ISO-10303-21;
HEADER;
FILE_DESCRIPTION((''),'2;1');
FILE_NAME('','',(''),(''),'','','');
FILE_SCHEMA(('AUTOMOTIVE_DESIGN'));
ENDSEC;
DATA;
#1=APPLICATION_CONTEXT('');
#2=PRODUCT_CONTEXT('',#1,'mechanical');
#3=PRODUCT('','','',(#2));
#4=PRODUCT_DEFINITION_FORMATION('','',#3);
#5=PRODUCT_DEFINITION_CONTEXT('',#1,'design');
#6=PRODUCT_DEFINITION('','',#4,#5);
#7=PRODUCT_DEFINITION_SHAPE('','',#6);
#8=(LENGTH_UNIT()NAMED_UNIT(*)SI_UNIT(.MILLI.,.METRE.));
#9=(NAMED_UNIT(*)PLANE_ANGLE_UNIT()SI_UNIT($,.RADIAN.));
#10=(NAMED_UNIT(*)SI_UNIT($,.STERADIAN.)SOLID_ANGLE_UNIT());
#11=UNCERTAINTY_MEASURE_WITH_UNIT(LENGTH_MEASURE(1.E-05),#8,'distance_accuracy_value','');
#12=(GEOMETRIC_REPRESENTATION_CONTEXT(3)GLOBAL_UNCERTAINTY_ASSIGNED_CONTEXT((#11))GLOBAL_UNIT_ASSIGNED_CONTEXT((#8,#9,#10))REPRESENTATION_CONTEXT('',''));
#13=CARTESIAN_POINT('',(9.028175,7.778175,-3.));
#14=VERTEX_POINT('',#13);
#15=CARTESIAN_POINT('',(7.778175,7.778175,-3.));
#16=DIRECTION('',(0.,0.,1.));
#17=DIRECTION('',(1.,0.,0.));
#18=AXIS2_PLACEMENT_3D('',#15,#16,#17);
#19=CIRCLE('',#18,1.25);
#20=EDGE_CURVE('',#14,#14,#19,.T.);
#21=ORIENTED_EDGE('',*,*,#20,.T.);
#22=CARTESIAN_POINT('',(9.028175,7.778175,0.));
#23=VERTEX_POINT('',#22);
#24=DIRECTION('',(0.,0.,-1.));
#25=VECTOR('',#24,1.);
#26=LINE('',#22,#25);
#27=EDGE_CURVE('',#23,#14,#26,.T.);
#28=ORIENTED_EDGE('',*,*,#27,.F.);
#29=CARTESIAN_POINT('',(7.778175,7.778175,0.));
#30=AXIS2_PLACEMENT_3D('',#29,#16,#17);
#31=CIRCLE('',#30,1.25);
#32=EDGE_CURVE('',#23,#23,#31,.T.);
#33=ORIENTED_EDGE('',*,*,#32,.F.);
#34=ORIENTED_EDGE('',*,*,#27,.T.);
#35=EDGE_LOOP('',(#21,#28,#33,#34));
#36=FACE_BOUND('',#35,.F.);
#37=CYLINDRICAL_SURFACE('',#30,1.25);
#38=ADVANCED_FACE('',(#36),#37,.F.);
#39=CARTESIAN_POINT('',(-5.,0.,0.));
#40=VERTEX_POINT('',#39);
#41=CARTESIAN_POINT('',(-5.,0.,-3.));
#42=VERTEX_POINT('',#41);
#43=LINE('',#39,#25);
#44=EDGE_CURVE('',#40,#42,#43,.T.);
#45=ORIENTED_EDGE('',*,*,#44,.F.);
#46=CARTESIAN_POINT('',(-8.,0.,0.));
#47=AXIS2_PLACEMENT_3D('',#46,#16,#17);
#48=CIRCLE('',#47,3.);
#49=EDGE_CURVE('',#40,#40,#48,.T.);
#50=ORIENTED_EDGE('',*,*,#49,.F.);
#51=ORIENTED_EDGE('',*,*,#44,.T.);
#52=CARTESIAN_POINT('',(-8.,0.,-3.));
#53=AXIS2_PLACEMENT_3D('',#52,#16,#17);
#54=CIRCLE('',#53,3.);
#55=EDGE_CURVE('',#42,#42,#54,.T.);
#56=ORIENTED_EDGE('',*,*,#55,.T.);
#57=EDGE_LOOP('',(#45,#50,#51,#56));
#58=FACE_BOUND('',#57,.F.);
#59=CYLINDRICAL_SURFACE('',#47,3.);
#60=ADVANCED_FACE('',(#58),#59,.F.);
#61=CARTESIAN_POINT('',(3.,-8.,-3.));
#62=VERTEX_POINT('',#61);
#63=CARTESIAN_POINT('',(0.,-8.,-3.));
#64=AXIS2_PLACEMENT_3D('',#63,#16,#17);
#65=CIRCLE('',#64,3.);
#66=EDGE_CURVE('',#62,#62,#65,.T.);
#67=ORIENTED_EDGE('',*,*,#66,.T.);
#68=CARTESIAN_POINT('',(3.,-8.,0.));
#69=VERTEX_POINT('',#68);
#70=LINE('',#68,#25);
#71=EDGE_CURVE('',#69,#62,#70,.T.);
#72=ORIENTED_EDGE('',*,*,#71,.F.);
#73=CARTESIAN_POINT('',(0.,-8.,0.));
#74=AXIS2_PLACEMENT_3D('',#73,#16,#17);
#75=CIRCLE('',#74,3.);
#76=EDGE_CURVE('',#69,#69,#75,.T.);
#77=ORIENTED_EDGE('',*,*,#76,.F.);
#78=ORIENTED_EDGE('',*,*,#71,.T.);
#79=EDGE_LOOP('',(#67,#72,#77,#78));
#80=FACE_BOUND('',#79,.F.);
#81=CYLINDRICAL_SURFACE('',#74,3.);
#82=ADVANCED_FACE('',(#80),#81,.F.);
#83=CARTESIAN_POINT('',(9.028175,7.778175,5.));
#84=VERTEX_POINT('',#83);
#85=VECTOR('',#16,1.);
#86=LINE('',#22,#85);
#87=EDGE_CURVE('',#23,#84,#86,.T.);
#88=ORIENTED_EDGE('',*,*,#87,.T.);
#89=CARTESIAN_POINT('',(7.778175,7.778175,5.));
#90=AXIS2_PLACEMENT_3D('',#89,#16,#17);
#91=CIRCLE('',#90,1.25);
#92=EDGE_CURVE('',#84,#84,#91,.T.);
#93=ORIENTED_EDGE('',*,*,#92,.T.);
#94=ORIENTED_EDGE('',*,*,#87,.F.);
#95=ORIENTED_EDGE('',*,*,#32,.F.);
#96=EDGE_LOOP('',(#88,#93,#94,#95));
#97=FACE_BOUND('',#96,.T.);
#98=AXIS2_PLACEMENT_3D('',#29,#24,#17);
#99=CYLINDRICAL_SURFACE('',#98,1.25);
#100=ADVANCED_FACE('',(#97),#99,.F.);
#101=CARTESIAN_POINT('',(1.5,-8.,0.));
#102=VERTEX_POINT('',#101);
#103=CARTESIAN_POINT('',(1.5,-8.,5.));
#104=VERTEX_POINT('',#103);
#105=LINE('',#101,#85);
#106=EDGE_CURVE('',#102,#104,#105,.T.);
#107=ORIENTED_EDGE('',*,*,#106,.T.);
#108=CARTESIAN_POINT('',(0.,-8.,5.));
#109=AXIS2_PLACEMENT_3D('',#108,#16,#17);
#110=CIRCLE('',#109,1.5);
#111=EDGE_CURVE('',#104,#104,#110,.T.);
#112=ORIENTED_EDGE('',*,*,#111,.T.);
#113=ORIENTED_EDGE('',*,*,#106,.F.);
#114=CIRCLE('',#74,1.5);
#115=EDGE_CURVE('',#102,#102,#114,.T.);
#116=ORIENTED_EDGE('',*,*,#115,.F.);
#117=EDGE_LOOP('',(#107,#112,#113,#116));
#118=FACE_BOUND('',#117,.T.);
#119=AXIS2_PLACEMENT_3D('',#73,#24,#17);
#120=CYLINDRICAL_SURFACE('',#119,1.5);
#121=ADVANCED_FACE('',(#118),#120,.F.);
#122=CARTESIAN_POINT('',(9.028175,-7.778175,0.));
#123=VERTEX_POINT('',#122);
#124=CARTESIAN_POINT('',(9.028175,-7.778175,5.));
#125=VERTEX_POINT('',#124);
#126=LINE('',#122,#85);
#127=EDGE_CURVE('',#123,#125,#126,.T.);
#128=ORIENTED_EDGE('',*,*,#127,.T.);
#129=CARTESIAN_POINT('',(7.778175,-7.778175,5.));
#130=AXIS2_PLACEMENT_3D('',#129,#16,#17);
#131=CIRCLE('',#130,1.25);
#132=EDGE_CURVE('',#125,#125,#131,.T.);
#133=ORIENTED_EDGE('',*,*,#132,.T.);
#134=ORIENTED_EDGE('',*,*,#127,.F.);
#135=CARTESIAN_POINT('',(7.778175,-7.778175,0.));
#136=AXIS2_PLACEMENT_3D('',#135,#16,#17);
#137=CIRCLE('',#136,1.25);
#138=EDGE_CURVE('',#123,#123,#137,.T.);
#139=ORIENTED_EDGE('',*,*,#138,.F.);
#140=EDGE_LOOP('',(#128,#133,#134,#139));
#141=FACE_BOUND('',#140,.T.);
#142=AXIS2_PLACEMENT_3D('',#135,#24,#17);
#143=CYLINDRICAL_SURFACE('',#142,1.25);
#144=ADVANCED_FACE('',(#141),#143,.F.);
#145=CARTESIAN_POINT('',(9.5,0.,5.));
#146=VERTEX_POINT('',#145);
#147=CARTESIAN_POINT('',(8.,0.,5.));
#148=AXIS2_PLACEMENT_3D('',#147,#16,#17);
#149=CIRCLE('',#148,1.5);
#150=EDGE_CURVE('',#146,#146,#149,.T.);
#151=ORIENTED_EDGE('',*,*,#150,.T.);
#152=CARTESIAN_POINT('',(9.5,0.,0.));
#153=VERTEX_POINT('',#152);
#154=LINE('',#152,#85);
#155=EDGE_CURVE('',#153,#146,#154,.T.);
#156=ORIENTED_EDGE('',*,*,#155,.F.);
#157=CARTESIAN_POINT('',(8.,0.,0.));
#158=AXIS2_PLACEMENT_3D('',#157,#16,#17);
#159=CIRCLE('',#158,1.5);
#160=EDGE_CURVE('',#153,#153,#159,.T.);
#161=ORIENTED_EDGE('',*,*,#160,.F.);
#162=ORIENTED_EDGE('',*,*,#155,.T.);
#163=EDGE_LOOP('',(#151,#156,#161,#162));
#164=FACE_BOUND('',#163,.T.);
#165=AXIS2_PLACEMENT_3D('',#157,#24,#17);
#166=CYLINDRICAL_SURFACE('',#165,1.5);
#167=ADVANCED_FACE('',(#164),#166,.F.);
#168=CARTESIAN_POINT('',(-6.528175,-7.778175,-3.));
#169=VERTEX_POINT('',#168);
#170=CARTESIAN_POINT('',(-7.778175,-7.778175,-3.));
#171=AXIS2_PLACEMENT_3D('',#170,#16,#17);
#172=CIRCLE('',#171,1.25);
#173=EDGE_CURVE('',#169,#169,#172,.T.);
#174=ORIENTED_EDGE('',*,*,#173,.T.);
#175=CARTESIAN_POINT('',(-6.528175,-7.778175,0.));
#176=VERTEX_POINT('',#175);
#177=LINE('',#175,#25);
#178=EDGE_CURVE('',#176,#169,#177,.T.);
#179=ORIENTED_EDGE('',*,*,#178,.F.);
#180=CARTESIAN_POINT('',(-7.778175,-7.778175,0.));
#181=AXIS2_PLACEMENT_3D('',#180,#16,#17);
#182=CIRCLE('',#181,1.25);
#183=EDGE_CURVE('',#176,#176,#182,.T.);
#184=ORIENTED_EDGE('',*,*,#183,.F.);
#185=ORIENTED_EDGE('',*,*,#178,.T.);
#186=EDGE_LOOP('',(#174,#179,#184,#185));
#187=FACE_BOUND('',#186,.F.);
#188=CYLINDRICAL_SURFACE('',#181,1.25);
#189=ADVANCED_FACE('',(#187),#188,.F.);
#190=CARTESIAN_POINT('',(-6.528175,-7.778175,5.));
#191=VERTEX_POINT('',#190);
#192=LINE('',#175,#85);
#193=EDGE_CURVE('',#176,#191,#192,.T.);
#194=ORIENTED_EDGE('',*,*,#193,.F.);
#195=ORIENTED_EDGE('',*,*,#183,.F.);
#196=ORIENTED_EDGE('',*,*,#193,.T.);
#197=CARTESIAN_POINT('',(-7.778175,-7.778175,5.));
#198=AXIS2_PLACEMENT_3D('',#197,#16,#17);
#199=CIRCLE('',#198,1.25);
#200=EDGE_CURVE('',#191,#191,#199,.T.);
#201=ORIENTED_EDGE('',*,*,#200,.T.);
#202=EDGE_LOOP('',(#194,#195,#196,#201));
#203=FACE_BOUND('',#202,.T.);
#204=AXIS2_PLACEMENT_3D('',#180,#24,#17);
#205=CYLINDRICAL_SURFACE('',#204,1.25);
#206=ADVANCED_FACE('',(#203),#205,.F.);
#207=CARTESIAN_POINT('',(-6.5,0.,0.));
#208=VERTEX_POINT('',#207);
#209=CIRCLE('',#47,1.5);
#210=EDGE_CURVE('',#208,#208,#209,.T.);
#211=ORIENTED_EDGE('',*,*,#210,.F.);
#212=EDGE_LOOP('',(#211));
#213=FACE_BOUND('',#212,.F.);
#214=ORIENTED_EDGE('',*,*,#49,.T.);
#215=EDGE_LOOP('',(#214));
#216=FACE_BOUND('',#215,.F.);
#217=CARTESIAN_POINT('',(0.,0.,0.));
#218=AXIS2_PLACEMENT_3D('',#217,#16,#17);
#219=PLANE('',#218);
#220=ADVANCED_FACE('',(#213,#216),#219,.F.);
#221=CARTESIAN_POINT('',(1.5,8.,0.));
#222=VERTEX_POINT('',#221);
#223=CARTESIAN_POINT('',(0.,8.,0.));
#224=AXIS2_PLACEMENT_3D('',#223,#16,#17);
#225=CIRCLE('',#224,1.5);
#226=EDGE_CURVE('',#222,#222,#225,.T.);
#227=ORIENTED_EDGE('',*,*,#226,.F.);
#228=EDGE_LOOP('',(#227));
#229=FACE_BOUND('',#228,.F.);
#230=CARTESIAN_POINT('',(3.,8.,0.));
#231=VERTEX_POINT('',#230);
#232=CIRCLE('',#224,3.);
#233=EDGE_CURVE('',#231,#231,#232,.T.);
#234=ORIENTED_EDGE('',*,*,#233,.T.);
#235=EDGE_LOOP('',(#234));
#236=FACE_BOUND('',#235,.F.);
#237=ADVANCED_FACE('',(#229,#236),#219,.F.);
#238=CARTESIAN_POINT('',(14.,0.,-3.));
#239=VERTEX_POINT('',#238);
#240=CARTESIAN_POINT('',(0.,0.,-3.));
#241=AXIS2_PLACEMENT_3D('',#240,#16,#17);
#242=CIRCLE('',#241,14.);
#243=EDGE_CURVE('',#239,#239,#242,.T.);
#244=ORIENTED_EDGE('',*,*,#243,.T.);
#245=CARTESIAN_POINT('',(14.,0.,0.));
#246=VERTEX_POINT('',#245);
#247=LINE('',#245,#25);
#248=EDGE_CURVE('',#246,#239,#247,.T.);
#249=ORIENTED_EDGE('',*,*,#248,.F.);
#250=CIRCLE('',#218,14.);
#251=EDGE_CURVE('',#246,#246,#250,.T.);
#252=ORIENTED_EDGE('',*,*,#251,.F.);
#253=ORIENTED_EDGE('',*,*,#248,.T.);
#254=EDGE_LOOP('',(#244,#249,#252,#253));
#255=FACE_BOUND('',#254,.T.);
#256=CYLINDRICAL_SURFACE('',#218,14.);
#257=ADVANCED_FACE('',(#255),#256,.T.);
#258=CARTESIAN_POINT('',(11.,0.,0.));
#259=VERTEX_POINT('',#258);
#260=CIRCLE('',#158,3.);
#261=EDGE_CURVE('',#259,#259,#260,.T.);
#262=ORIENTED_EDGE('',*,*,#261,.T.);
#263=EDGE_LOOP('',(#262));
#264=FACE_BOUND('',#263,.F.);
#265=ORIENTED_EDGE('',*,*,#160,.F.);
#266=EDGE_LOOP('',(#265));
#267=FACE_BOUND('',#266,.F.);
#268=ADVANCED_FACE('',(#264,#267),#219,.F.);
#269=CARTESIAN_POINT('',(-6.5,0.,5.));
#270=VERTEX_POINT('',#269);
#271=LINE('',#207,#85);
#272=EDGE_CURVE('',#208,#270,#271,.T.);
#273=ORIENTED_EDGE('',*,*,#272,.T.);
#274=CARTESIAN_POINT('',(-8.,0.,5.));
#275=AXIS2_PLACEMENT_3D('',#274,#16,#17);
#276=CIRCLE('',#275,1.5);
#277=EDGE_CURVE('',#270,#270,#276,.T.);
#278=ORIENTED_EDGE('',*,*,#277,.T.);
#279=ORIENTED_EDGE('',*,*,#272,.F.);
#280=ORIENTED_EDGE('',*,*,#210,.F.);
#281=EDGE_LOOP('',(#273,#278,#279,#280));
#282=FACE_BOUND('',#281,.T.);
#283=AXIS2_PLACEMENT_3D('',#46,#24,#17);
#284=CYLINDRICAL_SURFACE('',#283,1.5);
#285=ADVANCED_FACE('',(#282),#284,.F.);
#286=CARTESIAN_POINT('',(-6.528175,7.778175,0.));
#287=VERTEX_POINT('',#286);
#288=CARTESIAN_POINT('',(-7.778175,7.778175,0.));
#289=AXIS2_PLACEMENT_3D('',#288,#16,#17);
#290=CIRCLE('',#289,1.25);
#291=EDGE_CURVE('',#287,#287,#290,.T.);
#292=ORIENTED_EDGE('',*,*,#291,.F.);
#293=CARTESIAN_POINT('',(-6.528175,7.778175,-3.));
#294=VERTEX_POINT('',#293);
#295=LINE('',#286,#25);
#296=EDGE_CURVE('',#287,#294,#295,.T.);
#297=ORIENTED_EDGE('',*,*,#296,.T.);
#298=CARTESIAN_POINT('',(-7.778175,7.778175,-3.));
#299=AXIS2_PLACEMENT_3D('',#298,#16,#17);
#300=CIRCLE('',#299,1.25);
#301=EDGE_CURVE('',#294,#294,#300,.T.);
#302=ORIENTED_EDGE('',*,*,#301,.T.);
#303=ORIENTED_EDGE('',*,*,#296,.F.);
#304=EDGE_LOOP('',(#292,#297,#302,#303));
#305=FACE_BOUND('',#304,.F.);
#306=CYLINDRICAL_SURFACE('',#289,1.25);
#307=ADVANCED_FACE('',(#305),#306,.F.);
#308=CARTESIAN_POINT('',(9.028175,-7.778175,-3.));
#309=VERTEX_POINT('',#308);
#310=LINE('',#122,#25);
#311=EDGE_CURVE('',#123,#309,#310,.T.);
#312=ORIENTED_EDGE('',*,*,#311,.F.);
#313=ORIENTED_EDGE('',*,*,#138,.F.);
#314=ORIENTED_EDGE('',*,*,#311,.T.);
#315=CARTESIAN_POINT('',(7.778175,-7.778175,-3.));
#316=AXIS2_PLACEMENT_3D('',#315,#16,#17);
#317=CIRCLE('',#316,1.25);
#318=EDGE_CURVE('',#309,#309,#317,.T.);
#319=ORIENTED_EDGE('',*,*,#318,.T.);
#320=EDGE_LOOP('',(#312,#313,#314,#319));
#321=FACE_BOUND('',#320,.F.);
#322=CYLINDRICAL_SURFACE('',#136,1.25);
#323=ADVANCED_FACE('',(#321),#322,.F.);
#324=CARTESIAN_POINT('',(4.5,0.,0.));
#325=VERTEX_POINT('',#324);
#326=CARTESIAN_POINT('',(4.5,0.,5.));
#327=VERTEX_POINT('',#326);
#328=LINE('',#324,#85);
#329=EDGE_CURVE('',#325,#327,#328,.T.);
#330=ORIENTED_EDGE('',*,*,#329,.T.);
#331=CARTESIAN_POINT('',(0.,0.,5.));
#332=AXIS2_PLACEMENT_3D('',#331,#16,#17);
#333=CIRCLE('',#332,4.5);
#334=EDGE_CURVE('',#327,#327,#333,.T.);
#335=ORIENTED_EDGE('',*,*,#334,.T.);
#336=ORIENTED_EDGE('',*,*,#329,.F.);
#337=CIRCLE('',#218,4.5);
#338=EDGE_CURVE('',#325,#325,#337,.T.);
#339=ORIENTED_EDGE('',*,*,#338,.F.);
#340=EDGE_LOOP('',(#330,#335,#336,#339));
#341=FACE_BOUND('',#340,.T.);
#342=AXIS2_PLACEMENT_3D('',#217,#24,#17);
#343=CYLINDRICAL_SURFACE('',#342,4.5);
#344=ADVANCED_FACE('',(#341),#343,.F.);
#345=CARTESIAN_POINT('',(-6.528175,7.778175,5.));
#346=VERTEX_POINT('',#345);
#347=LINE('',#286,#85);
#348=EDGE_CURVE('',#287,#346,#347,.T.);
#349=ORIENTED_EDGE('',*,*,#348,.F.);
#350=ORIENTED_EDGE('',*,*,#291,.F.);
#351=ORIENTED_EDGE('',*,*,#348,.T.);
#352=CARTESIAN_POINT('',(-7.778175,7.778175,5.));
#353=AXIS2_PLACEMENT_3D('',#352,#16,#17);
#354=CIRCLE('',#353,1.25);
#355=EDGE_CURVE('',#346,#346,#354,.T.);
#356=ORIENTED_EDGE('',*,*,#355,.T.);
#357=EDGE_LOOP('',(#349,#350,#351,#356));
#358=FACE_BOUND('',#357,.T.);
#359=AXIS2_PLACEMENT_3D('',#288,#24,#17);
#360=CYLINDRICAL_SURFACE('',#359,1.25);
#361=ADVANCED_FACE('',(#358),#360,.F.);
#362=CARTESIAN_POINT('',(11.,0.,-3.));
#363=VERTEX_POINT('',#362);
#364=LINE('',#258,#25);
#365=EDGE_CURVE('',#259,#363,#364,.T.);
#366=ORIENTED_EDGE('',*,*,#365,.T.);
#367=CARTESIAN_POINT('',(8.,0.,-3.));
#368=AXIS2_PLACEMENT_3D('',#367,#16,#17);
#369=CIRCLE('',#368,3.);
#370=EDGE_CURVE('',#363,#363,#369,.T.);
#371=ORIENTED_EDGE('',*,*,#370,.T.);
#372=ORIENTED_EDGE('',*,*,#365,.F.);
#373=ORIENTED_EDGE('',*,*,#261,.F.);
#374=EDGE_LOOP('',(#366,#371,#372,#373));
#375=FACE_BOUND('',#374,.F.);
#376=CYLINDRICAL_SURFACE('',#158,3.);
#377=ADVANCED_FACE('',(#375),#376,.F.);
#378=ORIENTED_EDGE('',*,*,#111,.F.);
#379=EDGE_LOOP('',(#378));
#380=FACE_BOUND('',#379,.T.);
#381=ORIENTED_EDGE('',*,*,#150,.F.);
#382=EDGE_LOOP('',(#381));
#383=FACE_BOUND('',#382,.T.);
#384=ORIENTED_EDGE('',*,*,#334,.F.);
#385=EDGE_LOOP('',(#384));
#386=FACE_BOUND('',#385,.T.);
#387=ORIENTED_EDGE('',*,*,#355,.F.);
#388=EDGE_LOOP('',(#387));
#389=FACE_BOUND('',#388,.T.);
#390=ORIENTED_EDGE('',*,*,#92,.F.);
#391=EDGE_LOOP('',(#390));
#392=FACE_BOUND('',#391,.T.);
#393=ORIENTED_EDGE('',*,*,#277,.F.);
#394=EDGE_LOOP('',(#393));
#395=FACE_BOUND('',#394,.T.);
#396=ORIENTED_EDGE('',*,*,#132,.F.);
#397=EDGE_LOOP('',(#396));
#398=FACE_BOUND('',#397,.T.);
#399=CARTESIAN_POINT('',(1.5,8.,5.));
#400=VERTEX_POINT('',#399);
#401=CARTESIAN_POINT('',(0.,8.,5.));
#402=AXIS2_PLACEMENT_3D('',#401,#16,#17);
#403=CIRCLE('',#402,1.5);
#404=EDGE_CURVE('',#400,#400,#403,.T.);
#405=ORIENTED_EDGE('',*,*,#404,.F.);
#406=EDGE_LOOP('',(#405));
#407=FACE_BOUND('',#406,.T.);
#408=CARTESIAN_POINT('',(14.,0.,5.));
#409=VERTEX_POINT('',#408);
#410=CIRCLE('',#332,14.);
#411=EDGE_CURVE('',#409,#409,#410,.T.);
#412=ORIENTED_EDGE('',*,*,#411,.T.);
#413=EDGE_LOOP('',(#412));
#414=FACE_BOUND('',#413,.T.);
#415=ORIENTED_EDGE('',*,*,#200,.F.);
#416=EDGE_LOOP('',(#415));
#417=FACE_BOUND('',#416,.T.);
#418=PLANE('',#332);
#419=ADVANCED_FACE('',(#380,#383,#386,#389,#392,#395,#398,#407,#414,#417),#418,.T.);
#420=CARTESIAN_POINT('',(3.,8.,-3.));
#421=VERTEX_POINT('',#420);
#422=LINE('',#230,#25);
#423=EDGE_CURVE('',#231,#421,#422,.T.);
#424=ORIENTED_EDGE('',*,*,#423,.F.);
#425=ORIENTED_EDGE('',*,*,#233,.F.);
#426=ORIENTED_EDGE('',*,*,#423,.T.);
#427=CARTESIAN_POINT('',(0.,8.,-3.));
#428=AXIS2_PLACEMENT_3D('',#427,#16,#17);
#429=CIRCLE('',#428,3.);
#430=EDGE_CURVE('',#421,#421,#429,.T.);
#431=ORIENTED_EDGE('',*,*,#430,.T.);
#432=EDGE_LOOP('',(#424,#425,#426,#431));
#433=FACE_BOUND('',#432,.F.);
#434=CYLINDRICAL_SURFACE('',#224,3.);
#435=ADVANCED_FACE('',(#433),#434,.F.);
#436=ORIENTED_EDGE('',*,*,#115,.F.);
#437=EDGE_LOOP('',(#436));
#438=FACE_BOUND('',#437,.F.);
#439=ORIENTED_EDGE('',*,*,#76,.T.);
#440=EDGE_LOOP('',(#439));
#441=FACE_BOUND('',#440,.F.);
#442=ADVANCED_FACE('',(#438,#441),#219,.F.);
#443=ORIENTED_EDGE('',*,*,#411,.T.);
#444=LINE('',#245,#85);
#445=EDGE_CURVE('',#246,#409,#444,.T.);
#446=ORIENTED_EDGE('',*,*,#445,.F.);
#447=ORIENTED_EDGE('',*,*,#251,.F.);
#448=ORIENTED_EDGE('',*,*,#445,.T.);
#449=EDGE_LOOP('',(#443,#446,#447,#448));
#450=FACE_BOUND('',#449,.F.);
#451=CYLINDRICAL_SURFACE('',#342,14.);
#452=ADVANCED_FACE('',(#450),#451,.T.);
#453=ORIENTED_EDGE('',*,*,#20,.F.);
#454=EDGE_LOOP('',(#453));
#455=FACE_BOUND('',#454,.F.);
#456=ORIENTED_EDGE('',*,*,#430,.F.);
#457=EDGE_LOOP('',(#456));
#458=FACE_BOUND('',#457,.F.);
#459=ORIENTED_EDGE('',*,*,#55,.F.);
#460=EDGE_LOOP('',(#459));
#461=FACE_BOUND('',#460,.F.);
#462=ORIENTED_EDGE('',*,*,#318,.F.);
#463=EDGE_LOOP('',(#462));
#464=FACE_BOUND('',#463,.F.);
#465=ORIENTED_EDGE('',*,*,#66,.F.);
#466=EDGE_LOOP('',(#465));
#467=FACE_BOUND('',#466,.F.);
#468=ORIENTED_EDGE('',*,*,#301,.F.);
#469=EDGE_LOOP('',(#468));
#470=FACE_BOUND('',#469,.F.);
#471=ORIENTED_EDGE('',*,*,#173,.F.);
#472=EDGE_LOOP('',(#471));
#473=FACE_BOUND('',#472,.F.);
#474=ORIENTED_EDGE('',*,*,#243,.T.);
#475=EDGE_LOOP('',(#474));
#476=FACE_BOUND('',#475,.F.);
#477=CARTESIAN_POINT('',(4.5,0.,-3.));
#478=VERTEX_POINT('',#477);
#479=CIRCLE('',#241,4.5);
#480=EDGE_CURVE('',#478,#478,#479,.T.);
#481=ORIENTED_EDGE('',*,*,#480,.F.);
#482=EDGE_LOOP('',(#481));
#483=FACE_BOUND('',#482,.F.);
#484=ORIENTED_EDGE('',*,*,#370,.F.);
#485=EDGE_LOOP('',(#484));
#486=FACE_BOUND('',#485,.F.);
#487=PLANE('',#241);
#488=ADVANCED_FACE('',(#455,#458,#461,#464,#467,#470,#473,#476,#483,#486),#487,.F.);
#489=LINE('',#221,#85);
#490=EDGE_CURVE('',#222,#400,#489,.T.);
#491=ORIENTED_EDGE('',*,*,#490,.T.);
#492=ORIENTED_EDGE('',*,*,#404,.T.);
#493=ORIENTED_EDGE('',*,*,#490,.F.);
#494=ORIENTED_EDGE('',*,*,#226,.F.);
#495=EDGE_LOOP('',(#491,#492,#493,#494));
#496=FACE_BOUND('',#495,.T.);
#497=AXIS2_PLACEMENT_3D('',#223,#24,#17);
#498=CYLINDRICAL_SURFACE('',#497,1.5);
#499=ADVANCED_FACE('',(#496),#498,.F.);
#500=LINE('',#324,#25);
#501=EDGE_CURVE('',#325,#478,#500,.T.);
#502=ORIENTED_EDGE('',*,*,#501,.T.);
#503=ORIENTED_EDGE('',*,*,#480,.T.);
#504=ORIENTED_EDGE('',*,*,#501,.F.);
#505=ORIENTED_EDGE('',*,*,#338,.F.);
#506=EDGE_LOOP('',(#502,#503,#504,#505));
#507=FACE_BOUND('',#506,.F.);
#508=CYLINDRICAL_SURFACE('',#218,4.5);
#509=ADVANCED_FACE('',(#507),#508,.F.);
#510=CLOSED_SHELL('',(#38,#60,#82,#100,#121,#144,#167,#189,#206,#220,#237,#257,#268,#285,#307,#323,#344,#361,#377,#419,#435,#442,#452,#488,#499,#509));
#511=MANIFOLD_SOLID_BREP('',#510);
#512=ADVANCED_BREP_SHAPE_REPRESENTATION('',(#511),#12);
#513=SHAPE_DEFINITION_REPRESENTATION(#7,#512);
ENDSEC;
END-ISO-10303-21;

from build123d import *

# Parameters (mm, degrees)
F0_R     = 14
F0_R_2   = 1.25
F0_R_3   = 3
F0_R_4   = 4.5
F1_DEPTH = 3
F0_R_5   = 1.5
F2_DEPTH = 5


with BuildPart() as f1:
    # F0 (on Top) → F1 (new body)
    with BuildSketch(Plane.XY):
        Circle(F0_R)
        with Locations((-7.7781745931, -7.7781745931)):
            Circle(F0_R_2, mode=Mode.SUBTRACT)
        with Locations((0, -8)):
            Circle(F0_R_3, mode=Mode.SUBTRACT)
        with Locations((7.7781745931, -7.7781745931)):
            Circle(F0_R_2, mode=Mode.SUBTRACT)
        with Locations((-8, 0)):
            Circle(F0_R_3, mode=Mode.SUBTRACT)
        with Locations((-7.7781745931, 7.7781745931)):
            Circle(F0_R_2, mode=Mode.SUBTRACT)
        Circle(F0_R_4, mode=Mode.SUBTRACT)
        with Locations((8, 0)):
            Circle(F0_R_3, mode=Mode.SUBTRACT)
        with Locations((0, 8)):
            Circle(F0_R_3, mode=Mode.SUBTRACT)
        with Locations((7.7781745931, 7.7781745931)):
            Circle(F0_R_2, mode=Mode.SUBTRACT)
    extrude(amount=-F1_DEPTH)

    # F0 (on Top) → F2 (join)
    with BuildSketch(Plane.XY):
        Circle(F0_R)
        with Locations((-7.7781745931, -7.7781745931)):
            Circle(F0_R_2, mode=Mode.SUBTRACT)
        with Locations((0, -8)):
            Circle(F0_R_3, mode=Mode.SUBTRACT)
        with Locations((7.7781745931, -7.7781745931)):
            Circle(F0_R_2, mode=Mode.SUBTRACT)
        with Locations((-8, 0)):
            Circle(F0_R_3, mode=Mode.SUBTRACT)
        with Locations((-7.7781745931, 7.7781745931)):
            Circle(F0_R_2, mode=Mode.SUBTRACT)
        Circle(F0_R_4, mode=Mode.SUBTRACT)
        with Locations((8, 0)):
            Circle(F0_R_3, mode=Mode.SUBTRACT)
        with Locations((0, 8)):
            Circle(F0_R_3, mode=Mode.SUBTRACT)
        with Locations((7.7781745931, 7.7781745931)):
            Circle(F0_R_2, mode=Mode.SUBTRACT)
        with Locations((-8, 0)):
            Circle(F0_R_3)
        with Locations((-8, 0)):
            Circle(F0_R_5, mode=Mode.SUBTRACT)
        with Locations((0, 8)):
            Circle(F0_R_3)
        with Locations((0, 8)):
            Circle(F0_R_5, mode=Mode.SUBTRACT)
        with Locations((8, 0)):
            Circle(F0_R_3)
        with Locations((8, 0)):
            Circle(F0_R_5, mode=Mode.SUBTRACT)
        with Locations((0, -8)):
            Circle(F0_R_3)
        with Locations((0, -8)):
            Circle(F0_R_5, mode=Mode.SUBTRACT)
    extrude(amount=F2_DEPTH)


solid = f1.part
